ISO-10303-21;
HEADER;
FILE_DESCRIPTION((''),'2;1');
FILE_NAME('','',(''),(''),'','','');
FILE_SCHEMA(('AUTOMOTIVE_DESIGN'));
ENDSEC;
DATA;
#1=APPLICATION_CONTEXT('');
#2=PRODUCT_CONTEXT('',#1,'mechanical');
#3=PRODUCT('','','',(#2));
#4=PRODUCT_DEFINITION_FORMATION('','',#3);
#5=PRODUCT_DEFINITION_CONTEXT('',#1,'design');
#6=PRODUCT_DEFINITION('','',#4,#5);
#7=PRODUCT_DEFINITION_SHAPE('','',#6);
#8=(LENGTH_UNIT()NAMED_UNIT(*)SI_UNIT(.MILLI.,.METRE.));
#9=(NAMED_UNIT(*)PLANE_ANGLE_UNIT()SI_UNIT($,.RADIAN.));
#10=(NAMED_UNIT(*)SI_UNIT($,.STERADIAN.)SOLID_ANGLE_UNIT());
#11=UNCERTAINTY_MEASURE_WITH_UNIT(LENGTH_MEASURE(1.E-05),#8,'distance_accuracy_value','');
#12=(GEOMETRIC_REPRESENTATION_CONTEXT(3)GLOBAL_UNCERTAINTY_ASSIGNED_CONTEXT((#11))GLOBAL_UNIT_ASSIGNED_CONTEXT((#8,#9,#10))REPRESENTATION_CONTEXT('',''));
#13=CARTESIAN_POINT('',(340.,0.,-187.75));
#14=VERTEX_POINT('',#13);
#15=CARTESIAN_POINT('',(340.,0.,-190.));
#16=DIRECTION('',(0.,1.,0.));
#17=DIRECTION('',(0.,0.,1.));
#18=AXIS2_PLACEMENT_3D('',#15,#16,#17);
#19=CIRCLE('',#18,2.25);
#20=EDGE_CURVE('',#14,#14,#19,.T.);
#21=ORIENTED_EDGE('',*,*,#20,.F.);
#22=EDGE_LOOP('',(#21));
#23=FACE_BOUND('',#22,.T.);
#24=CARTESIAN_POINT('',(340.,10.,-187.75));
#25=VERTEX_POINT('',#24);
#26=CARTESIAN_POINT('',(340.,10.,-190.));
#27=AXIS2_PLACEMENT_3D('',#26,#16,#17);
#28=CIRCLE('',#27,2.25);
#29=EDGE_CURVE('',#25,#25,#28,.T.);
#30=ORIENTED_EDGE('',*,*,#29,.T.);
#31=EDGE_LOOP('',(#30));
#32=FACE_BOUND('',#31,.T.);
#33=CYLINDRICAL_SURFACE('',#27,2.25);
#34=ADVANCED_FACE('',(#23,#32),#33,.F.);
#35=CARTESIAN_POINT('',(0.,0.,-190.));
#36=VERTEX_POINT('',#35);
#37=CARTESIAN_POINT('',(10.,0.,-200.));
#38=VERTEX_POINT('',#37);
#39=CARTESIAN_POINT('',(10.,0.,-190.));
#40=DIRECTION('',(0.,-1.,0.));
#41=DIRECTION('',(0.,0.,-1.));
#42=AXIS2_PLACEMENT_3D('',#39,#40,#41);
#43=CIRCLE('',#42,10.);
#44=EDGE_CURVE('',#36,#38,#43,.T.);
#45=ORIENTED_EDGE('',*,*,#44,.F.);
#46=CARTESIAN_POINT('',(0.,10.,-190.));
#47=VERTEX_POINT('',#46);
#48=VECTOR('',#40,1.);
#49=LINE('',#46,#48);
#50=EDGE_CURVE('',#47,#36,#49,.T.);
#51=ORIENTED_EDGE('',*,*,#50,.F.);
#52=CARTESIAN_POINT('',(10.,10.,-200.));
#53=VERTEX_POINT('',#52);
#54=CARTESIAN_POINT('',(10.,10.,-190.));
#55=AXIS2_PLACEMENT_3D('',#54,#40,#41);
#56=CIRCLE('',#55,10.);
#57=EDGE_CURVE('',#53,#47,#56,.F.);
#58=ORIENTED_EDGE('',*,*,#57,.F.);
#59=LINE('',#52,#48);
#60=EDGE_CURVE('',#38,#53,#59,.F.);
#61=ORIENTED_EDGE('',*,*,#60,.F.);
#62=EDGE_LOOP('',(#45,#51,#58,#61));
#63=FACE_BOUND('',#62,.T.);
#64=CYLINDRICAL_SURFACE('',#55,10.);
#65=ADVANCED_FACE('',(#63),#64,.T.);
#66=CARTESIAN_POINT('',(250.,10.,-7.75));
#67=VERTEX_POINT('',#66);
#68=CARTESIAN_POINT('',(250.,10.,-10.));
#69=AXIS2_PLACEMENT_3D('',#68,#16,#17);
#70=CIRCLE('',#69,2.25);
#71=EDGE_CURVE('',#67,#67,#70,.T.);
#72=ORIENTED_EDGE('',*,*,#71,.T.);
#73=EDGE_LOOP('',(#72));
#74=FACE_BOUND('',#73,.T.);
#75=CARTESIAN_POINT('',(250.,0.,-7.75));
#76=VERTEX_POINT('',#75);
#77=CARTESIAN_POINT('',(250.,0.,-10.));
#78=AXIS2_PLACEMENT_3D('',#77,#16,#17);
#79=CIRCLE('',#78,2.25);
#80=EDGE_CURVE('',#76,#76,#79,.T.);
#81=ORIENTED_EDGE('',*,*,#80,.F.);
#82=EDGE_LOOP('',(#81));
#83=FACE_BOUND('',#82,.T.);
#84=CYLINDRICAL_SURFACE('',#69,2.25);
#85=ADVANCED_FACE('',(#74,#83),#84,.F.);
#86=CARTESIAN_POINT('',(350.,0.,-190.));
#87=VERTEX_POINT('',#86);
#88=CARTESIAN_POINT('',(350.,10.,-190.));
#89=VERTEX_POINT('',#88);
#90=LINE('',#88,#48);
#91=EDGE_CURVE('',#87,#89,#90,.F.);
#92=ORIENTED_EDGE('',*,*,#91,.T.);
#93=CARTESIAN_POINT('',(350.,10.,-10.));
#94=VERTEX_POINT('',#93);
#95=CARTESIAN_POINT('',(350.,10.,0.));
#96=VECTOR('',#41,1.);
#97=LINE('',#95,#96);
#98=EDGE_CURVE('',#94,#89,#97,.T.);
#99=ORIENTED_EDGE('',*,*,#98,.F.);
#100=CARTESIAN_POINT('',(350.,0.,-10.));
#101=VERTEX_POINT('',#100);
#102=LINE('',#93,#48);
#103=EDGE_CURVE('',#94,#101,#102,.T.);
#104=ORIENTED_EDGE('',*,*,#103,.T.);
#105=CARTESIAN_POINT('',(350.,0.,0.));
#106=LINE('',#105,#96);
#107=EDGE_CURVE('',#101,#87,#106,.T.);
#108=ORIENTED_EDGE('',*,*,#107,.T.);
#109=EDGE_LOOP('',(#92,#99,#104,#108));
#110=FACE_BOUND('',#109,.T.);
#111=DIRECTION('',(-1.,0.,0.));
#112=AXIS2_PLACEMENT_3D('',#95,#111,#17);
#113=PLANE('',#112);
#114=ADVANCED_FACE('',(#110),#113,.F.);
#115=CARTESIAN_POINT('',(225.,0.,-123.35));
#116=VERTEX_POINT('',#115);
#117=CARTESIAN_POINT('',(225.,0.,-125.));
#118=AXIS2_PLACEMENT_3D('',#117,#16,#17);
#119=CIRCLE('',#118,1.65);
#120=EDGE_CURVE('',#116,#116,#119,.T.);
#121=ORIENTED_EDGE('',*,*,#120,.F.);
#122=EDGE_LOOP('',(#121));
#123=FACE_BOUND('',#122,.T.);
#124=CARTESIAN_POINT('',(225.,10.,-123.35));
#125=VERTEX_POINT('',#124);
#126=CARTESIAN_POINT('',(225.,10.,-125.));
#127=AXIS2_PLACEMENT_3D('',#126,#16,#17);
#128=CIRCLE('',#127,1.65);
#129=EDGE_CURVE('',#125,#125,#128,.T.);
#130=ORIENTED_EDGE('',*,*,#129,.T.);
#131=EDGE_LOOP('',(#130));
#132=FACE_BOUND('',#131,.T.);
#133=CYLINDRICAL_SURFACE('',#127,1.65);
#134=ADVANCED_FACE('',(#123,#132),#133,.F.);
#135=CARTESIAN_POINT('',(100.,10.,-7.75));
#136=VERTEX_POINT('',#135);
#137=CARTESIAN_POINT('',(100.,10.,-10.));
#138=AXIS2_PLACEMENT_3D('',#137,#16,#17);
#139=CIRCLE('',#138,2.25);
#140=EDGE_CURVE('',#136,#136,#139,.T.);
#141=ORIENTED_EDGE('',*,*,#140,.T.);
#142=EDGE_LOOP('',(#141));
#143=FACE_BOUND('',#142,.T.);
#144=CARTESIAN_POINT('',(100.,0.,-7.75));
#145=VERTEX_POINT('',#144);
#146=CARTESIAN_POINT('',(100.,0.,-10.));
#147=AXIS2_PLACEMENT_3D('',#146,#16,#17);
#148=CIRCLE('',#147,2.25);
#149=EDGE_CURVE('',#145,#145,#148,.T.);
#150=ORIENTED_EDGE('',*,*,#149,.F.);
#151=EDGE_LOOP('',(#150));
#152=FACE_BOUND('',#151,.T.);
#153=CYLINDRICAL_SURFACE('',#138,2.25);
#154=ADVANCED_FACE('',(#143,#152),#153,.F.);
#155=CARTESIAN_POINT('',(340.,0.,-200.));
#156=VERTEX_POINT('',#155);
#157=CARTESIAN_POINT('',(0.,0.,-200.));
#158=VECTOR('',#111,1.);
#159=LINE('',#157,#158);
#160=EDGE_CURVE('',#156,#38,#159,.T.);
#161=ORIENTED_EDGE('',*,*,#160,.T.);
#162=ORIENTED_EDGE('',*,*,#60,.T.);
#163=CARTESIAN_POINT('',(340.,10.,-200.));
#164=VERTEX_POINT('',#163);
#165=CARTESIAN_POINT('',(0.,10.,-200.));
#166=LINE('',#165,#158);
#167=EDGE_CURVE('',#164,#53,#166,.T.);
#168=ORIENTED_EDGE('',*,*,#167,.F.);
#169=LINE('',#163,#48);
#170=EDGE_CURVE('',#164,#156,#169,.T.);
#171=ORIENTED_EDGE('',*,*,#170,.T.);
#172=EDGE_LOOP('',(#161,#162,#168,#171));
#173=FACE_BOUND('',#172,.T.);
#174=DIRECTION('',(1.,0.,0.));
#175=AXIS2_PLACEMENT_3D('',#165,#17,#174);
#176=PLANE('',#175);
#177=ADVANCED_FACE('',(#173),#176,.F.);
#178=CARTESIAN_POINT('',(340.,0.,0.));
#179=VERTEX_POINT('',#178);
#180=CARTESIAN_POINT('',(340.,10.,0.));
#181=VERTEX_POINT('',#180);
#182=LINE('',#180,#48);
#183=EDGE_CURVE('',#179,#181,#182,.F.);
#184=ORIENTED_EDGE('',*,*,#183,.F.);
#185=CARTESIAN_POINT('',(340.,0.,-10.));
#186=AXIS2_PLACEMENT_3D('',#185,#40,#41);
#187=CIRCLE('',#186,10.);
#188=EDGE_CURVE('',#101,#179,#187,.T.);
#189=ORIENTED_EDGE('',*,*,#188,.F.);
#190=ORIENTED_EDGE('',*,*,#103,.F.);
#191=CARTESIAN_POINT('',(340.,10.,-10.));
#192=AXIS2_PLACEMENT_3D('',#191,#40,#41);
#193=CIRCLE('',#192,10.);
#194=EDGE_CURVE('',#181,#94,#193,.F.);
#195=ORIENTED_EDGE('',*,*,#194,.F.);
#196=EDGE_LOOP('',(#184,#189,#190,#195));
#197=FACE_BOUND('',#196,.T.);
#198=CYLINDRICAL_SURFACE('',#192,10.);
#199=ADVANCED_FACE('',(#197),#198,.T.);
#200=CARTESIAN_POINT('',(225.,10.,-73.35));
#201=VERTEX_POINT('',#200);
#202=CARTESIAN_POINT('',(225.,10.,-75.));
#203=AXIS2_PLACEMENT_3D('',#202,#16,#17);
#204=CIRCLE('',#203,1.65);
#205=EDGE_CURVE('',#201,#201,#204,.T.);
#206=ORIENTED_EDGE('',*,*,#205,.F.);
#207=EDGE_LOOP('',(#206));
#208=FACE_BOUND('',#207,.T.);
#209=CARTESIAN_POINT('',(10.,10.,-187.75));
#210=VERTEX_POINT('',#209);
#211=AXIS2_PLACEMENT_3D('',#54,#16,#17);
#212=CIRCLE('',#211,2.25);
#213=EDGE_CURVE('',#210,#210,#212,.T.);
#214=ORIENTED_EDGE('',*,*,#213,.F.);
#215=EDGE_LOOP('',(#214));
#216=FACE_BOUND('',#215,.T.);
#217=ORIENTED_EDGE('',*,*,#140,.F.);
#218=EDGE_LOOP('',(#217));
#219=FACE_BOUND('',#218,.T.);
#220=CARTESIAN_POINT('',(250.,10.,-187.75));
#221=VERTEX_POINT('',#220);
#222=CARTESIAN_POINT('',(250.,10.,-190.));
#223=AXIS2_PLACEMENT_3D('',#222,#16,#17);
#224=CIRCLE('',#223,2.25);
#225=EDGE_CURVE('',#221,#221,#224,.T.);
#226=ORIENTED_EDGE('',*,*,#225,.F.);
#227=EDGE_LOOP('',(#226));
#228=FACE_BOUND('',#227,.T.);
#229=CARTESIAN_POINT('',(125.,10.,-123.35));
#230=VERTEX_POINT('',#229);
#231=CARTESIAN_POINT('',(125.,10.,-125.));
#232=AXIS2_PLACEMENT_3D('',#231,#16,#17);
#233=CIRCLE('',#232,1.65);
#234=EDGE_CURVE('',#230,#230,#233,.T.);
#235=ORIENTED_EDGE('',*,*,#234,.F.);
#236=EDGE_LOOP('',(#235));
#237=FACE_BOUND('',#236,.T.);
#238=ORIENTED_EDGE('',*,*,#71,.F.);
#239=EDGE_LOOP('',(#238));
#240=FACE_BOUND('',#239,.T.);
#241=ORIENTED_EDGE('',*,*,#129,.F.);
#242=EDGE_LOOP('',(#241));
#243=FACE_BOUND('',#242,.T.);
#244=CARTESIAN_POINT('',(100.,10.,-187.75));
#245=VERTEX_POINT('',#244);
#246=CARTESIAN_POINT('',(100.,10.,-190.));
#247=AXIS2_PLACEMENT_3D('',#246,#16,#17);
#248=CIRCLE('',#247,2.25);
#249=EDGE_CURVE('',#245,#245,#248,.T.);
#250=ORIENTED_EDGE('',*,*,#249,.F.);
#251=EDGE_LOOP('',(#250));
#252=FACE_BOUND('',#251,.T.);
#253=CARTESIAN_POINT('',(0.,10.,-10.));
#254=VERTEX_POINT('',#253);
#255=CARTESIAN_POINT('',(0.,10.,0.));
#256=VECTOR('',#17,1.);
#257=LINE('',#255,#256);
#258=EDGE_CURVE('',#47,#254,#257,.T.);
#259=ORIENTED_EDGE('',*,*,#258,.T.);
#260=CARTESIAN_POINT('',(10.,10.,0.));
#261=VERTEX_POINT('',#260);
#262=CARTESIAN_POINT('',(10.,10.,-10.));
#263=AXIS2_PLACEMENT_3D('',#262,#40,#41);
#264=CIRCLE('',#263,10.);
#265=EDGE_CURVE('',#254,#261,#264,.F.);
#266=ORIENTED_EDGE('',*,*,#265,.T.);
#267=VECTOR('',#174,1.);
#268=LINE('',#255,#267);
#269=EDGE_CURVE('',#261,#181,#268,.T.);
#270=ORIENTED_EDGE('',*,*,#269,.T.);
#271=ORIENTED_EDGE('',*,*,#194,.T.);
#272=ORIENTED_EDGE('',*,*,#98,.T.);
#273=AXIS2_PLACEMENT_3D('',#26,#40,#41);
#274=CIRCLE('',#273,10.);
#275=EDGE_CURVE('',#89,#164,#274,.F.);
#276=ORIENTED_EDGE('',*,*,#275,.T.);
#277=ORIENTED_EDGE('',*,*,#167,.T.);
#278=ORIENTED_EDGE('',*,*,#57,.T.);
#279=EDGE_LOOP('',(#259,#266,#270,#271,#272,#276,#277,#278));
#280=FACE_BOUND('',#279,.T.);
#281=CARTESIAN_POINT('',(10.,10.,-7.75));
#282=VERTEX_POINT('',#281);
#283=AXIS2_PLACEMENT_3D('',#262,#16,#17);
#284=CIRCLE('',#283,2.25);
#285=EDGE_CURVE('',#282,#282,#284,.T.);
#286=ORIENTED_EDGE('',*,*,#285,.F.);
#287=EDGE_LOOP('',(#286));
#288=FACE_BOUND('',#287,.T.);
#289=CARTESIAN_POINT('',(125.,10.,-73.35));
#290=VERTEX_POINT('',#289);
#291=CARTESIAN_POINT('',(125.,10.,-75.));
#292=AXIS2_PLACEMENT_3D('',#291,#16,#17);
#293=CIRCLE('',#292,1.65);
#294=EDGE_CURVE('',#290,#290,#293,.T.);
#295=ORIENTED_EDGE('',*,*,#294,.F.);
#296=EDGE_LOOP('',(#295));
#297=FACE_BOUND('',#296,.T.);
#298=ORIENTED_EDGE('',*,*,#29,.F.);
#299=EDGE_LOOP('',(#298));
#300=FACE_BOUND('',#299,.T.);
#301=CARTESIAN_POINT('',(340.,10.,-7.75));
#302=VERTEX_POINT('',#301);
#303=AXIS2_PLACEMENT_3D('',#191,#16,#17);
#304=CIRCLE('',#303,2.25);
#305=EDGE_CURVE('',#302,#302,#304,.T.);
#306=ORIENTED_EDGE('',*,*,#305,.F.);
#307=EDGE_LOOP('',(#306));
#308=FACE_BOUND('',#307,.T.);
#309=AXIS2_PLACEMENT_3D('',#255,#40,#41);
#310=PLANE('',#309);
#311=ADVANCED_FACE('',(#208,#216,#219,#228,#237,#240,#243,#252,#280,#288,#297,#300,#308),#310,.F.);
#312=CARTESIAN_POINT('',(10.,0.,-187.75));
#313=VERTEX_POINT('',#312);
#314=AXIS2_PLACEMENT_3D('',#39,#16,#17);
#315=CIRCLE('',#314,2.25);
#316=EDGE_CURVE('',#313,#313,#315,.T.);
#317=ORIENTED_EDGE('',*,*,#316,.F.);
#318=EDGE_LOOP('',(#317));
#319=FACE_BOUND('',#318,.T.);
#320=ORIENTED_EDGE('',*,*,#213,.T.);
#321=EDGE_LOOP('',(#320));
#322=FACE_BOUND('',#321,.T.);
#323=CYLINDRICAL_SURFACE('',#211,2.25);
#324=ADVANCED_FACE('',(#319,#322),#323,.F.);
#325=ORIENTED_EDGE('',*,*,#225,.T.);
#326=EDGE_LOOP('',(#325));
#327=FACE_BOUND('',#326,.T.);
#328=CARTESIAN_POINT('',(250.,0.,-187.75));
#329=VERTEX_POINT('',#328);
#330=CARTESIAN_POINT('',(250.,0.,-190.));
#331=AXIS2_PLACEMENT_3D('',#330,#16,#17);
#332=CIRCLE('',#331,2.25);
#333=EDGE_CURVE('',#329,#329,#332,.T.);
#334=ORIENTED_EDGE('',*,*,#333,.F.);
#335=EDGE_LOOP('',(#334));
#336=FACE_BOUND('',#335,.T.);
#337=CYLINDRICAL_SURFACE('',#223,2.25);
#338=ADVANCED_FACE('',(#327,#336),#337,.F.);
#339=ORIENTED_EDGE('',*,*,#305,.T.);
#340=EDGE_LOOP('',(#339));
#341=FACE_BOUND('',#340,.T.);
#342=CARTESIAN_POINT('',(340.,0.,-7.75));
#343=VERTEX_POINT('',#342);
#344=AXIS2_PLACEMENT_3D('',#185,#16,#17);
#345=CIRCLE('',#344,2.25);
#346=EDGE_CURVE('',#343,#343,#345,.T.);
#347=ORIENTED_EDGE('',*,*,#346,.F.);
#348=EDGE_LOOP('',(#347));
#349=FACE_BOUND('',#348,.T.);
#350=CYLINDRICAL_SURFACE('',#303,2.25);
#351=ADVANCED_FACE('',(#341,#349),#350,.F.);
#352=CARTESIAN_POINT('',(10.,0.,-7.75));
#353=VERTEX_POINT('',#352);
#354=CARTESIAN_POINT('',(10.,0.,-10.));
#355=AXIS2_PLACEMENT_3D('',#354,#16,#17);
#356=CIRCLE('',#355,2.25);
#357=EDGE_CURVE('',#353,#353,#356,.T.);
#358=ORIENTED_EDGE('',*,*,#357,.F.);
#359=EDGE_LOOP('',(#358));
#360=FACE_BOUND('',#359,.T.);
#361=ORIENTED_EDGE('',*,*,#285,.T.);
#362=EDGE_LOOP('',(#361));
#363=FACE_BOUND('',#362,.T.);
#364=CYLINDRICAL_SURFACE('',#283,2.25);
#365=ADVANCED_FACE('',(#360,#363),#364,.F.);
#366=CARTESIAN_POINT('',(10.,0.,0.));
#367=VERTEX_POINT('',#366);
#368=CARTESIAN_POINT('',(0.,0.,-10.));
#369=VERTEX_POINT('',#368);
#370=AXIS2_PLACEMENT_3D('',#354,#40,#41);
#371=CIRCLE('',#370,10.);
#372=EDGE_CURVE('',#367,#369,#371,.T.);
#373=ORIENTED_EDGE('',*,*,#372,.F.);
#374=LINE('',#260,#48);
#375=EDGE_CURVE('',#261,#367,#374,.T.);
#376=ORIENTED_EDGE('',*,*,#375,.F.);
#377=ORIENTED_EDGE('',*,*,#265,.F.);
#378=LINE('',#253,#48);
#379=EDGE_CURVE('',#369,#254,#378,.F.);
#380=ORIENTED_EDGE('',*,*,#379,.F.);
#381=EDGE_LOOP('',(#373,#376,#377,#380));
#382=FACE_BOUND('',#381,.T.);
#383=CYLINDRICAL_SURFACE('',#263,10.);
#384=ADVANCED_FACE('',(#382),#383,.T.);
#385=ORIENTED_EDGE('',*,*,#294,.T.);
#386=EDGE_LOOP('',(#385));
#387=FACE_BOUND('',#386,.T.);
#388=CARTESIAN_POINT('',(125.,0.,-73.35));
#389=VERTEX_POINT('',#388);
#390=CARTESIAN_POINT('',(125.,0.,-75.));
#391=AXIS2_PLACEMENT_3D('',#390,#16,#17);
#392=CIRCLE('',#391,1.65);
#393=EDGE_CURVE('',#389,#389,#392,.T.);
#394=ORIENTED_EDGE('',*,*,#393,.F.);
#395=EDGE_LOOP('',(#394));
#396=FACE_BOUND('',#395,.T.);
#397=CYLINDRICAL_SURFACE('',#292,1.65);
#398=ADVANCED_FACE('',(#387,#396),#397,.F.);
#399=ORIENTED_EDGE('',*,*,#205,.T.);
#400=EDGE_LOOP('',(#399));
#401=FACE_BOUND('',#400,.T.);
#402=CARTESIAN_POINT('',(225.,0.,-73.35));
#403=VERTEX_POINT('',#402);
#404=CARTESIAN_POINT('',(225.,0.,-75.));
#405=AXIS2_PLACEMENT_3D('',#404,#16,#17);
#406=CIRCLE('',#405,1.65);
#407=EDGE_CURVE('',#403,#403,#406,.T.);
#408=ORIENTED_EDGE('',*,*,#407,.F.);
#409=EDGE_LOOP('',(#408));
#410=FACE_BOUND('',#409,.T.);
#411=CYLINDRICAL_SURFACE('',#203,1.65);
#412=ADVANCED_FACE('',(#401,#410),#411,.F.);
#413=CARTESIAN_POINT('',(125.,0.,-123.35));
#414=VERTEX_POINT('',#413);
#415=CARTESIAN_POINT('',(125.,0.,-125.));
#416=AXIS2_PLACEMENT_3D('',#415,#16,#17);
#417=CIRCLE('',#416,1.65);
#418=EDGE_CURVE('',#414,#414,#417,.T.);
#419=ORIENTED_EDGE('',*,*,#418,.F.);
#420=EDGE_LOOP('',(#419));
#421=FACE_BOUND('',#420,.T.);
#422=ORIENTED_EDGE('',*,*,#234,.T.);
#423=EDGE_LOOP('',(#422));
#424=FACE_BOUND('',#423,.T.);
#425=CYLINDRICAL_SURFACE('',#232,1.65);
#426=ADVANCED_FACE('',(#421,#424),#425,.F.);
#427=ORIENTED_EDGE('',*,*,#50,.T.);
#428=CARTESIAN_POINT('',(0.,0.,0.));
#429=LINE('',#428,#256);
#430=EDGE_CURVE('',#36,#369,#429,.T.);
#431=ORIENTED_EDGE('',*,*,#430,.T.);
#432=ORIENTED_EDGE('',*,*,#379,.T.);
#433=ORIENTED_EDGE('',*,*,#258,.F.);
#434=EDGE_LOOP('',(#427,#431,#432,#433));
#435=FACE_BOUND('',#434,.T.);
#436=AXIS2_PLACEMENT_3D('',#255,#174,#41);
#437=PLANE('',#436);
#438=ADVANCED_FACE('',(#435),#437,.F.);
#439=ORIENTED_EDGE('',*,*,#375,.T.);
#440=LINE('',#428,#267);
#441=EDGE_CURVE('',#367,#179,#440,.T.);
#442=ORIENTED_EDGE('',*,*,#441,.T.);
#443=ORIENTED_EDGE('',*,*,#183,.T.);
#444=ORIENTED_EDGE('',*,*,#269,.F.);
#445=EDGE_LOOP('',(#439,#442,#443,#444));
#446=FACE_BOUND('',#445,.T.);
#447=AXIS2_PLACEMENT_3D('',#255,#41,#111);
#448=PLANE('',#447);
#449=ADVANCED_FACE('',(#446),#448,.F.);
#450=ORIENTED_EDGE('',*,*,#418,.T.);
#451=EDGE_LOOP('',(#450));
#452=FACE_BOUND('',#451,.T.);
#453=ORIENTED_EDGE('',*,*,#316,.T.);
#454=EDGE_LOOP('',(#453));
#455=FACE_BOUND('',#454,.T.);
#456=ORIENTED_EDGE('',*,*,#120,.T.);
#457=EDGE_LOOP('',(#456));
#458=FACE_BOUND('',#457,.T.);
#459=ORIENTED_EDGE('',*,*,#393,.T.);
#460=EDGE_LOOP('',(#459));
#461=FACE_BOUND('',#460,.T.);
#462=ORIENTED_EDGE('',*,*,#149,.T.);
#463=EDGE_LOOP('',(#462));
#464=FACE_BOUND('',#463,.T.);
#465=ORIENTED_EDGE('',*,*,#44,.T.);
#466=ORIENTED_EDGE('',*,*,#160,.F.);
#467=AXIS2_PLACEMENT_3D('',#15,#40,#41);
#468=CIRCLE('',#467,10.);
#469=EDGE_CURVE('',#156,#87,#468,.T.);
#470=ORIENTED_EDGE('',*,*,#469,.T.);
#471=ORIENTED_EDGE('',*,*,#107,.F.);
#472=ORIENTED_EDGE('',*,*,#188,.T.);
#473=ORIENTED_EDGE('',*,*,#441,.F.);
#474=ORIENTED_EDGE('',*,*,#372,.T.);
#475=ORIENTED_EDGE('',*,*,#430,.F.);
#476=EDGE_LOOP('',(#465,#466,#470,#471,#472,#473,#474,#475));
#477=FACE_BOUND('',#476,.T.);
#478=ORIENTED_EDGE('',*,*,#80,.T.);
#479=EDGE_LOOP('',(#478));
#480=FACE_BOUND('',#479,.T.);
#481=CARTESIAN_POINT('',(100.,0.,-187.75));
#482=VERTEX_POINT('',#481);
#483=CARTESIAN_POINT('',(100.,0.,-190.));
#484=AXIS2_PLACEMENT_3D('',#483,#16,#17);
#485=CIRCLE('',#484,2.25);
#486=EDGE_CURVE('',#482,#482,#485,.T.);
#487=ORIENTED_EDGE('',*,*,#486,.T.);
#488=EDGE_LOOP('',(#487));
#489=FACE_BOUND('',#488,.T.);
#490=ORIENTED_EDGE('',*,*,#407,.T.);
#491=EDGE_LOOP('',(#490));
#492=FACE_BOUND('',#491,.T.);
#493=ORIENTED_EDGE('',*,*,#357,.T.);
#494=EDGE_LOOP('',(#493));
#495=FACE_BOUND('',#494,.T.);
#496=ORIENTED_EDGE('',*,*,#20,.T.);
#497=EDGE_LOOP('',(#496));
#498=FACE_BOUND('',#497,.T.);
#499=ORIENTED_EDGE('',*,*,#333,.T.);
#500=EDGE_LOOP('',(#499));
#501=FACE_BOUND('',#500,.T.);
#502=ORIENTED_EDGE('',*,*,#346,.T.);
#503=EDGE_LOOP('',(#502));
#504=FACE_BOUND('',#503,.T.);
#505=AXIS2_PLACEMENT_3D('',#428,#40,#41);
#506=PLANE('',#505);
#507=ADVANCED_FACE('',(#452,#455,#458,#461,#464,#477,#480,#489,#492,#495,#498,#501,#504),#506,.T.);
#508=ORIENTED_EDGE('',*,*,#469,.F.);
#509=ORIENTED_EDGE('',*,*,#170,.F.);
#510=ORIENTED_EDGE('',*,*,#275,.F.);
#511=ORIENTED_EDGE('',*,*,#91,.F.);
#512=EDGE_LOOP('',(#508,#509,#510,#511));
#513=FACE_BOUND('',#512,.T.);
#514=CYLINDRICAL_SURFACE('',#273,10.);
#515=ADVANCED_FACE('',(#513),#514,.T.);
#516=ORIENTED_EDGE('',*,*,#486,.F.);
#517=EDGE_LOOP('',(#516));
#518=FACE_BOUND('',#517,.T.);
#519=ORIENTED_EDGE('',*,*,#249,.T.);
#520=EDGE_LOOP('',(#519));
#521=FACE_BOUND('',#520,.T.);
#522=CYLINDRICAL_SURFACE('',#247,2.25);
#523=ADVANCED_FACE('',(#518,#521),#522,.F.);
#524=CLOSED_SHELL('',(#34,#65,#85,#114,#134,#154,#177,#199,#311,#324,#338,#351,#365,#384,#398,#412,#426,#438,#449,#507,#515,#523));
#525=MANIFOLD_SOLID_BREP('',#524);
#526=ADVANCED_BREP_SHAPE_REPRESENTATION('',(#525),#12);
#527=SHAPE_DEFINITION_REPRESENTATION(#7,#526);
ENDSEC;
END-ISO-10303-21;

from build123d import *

# Parameters (mm, degrees)
SKETCH_1_W        = 350
SKETCH_1_H        = 200
EXTRUDE_1_DEPTH   = 10
M4X0_7_D          = 3.3
HOLE_WIZARD_M42_D = 4.5
FILLET_1_R        = 10


with BuildPart() as part:
    # Эскиз1 → Бобышка-Вытянуть1 (new body)
    with BuildSketch(Plane(origin=(0, 0, 0), x_dir=(1, 0, 0), z_dir=(0, 1, 0))):
        with Locations((175, 100)):
            Rectangle(SKETCH_1_W, SKETCH_1_H)
    extrude(amount=EXTRUDE_1_DEPTH)

    # Отверстие обработанное метчиком M4x0.7 (through all)
    with Locations(Plane(origin=(134.244811271, 10, -121.125670736), x_dir=(0, 0, -1), z_dir=(0, 1, 0))):
        with Locations((-46.125670736, 9.244811271), (3.874329264, 9.244811271), (3.874329264, -90.755188729), (-46.125670736, -90.755188729)):
            Hole(M4X0_7_D / 2)

    # Отверстие с зазором M42 (through all)
    with Locations(Plane(origin=(0, 10, 0), x_dir=(1, 0, 0), z_dir=(0, 1, 0))):
        with Locations((10, 10), (100, 10), (100, 190), (10, 190), (250, 190), (340, 190), (340, 10), (250, 10)):
            Hole(HOLE_WIZARD_M42_D / 2)

    # Скругление1
    fillet_1_edges = [part.edges().sort_by_distance(p)[0] for p in [
        (0, 5, -200),
        (350, 5, -200),
        (350, 5, 0),
        (0, 5, 0),
    ]]
    fillet(fillet_1_edges, radius=FILLET_1_R)


solid = part.part
